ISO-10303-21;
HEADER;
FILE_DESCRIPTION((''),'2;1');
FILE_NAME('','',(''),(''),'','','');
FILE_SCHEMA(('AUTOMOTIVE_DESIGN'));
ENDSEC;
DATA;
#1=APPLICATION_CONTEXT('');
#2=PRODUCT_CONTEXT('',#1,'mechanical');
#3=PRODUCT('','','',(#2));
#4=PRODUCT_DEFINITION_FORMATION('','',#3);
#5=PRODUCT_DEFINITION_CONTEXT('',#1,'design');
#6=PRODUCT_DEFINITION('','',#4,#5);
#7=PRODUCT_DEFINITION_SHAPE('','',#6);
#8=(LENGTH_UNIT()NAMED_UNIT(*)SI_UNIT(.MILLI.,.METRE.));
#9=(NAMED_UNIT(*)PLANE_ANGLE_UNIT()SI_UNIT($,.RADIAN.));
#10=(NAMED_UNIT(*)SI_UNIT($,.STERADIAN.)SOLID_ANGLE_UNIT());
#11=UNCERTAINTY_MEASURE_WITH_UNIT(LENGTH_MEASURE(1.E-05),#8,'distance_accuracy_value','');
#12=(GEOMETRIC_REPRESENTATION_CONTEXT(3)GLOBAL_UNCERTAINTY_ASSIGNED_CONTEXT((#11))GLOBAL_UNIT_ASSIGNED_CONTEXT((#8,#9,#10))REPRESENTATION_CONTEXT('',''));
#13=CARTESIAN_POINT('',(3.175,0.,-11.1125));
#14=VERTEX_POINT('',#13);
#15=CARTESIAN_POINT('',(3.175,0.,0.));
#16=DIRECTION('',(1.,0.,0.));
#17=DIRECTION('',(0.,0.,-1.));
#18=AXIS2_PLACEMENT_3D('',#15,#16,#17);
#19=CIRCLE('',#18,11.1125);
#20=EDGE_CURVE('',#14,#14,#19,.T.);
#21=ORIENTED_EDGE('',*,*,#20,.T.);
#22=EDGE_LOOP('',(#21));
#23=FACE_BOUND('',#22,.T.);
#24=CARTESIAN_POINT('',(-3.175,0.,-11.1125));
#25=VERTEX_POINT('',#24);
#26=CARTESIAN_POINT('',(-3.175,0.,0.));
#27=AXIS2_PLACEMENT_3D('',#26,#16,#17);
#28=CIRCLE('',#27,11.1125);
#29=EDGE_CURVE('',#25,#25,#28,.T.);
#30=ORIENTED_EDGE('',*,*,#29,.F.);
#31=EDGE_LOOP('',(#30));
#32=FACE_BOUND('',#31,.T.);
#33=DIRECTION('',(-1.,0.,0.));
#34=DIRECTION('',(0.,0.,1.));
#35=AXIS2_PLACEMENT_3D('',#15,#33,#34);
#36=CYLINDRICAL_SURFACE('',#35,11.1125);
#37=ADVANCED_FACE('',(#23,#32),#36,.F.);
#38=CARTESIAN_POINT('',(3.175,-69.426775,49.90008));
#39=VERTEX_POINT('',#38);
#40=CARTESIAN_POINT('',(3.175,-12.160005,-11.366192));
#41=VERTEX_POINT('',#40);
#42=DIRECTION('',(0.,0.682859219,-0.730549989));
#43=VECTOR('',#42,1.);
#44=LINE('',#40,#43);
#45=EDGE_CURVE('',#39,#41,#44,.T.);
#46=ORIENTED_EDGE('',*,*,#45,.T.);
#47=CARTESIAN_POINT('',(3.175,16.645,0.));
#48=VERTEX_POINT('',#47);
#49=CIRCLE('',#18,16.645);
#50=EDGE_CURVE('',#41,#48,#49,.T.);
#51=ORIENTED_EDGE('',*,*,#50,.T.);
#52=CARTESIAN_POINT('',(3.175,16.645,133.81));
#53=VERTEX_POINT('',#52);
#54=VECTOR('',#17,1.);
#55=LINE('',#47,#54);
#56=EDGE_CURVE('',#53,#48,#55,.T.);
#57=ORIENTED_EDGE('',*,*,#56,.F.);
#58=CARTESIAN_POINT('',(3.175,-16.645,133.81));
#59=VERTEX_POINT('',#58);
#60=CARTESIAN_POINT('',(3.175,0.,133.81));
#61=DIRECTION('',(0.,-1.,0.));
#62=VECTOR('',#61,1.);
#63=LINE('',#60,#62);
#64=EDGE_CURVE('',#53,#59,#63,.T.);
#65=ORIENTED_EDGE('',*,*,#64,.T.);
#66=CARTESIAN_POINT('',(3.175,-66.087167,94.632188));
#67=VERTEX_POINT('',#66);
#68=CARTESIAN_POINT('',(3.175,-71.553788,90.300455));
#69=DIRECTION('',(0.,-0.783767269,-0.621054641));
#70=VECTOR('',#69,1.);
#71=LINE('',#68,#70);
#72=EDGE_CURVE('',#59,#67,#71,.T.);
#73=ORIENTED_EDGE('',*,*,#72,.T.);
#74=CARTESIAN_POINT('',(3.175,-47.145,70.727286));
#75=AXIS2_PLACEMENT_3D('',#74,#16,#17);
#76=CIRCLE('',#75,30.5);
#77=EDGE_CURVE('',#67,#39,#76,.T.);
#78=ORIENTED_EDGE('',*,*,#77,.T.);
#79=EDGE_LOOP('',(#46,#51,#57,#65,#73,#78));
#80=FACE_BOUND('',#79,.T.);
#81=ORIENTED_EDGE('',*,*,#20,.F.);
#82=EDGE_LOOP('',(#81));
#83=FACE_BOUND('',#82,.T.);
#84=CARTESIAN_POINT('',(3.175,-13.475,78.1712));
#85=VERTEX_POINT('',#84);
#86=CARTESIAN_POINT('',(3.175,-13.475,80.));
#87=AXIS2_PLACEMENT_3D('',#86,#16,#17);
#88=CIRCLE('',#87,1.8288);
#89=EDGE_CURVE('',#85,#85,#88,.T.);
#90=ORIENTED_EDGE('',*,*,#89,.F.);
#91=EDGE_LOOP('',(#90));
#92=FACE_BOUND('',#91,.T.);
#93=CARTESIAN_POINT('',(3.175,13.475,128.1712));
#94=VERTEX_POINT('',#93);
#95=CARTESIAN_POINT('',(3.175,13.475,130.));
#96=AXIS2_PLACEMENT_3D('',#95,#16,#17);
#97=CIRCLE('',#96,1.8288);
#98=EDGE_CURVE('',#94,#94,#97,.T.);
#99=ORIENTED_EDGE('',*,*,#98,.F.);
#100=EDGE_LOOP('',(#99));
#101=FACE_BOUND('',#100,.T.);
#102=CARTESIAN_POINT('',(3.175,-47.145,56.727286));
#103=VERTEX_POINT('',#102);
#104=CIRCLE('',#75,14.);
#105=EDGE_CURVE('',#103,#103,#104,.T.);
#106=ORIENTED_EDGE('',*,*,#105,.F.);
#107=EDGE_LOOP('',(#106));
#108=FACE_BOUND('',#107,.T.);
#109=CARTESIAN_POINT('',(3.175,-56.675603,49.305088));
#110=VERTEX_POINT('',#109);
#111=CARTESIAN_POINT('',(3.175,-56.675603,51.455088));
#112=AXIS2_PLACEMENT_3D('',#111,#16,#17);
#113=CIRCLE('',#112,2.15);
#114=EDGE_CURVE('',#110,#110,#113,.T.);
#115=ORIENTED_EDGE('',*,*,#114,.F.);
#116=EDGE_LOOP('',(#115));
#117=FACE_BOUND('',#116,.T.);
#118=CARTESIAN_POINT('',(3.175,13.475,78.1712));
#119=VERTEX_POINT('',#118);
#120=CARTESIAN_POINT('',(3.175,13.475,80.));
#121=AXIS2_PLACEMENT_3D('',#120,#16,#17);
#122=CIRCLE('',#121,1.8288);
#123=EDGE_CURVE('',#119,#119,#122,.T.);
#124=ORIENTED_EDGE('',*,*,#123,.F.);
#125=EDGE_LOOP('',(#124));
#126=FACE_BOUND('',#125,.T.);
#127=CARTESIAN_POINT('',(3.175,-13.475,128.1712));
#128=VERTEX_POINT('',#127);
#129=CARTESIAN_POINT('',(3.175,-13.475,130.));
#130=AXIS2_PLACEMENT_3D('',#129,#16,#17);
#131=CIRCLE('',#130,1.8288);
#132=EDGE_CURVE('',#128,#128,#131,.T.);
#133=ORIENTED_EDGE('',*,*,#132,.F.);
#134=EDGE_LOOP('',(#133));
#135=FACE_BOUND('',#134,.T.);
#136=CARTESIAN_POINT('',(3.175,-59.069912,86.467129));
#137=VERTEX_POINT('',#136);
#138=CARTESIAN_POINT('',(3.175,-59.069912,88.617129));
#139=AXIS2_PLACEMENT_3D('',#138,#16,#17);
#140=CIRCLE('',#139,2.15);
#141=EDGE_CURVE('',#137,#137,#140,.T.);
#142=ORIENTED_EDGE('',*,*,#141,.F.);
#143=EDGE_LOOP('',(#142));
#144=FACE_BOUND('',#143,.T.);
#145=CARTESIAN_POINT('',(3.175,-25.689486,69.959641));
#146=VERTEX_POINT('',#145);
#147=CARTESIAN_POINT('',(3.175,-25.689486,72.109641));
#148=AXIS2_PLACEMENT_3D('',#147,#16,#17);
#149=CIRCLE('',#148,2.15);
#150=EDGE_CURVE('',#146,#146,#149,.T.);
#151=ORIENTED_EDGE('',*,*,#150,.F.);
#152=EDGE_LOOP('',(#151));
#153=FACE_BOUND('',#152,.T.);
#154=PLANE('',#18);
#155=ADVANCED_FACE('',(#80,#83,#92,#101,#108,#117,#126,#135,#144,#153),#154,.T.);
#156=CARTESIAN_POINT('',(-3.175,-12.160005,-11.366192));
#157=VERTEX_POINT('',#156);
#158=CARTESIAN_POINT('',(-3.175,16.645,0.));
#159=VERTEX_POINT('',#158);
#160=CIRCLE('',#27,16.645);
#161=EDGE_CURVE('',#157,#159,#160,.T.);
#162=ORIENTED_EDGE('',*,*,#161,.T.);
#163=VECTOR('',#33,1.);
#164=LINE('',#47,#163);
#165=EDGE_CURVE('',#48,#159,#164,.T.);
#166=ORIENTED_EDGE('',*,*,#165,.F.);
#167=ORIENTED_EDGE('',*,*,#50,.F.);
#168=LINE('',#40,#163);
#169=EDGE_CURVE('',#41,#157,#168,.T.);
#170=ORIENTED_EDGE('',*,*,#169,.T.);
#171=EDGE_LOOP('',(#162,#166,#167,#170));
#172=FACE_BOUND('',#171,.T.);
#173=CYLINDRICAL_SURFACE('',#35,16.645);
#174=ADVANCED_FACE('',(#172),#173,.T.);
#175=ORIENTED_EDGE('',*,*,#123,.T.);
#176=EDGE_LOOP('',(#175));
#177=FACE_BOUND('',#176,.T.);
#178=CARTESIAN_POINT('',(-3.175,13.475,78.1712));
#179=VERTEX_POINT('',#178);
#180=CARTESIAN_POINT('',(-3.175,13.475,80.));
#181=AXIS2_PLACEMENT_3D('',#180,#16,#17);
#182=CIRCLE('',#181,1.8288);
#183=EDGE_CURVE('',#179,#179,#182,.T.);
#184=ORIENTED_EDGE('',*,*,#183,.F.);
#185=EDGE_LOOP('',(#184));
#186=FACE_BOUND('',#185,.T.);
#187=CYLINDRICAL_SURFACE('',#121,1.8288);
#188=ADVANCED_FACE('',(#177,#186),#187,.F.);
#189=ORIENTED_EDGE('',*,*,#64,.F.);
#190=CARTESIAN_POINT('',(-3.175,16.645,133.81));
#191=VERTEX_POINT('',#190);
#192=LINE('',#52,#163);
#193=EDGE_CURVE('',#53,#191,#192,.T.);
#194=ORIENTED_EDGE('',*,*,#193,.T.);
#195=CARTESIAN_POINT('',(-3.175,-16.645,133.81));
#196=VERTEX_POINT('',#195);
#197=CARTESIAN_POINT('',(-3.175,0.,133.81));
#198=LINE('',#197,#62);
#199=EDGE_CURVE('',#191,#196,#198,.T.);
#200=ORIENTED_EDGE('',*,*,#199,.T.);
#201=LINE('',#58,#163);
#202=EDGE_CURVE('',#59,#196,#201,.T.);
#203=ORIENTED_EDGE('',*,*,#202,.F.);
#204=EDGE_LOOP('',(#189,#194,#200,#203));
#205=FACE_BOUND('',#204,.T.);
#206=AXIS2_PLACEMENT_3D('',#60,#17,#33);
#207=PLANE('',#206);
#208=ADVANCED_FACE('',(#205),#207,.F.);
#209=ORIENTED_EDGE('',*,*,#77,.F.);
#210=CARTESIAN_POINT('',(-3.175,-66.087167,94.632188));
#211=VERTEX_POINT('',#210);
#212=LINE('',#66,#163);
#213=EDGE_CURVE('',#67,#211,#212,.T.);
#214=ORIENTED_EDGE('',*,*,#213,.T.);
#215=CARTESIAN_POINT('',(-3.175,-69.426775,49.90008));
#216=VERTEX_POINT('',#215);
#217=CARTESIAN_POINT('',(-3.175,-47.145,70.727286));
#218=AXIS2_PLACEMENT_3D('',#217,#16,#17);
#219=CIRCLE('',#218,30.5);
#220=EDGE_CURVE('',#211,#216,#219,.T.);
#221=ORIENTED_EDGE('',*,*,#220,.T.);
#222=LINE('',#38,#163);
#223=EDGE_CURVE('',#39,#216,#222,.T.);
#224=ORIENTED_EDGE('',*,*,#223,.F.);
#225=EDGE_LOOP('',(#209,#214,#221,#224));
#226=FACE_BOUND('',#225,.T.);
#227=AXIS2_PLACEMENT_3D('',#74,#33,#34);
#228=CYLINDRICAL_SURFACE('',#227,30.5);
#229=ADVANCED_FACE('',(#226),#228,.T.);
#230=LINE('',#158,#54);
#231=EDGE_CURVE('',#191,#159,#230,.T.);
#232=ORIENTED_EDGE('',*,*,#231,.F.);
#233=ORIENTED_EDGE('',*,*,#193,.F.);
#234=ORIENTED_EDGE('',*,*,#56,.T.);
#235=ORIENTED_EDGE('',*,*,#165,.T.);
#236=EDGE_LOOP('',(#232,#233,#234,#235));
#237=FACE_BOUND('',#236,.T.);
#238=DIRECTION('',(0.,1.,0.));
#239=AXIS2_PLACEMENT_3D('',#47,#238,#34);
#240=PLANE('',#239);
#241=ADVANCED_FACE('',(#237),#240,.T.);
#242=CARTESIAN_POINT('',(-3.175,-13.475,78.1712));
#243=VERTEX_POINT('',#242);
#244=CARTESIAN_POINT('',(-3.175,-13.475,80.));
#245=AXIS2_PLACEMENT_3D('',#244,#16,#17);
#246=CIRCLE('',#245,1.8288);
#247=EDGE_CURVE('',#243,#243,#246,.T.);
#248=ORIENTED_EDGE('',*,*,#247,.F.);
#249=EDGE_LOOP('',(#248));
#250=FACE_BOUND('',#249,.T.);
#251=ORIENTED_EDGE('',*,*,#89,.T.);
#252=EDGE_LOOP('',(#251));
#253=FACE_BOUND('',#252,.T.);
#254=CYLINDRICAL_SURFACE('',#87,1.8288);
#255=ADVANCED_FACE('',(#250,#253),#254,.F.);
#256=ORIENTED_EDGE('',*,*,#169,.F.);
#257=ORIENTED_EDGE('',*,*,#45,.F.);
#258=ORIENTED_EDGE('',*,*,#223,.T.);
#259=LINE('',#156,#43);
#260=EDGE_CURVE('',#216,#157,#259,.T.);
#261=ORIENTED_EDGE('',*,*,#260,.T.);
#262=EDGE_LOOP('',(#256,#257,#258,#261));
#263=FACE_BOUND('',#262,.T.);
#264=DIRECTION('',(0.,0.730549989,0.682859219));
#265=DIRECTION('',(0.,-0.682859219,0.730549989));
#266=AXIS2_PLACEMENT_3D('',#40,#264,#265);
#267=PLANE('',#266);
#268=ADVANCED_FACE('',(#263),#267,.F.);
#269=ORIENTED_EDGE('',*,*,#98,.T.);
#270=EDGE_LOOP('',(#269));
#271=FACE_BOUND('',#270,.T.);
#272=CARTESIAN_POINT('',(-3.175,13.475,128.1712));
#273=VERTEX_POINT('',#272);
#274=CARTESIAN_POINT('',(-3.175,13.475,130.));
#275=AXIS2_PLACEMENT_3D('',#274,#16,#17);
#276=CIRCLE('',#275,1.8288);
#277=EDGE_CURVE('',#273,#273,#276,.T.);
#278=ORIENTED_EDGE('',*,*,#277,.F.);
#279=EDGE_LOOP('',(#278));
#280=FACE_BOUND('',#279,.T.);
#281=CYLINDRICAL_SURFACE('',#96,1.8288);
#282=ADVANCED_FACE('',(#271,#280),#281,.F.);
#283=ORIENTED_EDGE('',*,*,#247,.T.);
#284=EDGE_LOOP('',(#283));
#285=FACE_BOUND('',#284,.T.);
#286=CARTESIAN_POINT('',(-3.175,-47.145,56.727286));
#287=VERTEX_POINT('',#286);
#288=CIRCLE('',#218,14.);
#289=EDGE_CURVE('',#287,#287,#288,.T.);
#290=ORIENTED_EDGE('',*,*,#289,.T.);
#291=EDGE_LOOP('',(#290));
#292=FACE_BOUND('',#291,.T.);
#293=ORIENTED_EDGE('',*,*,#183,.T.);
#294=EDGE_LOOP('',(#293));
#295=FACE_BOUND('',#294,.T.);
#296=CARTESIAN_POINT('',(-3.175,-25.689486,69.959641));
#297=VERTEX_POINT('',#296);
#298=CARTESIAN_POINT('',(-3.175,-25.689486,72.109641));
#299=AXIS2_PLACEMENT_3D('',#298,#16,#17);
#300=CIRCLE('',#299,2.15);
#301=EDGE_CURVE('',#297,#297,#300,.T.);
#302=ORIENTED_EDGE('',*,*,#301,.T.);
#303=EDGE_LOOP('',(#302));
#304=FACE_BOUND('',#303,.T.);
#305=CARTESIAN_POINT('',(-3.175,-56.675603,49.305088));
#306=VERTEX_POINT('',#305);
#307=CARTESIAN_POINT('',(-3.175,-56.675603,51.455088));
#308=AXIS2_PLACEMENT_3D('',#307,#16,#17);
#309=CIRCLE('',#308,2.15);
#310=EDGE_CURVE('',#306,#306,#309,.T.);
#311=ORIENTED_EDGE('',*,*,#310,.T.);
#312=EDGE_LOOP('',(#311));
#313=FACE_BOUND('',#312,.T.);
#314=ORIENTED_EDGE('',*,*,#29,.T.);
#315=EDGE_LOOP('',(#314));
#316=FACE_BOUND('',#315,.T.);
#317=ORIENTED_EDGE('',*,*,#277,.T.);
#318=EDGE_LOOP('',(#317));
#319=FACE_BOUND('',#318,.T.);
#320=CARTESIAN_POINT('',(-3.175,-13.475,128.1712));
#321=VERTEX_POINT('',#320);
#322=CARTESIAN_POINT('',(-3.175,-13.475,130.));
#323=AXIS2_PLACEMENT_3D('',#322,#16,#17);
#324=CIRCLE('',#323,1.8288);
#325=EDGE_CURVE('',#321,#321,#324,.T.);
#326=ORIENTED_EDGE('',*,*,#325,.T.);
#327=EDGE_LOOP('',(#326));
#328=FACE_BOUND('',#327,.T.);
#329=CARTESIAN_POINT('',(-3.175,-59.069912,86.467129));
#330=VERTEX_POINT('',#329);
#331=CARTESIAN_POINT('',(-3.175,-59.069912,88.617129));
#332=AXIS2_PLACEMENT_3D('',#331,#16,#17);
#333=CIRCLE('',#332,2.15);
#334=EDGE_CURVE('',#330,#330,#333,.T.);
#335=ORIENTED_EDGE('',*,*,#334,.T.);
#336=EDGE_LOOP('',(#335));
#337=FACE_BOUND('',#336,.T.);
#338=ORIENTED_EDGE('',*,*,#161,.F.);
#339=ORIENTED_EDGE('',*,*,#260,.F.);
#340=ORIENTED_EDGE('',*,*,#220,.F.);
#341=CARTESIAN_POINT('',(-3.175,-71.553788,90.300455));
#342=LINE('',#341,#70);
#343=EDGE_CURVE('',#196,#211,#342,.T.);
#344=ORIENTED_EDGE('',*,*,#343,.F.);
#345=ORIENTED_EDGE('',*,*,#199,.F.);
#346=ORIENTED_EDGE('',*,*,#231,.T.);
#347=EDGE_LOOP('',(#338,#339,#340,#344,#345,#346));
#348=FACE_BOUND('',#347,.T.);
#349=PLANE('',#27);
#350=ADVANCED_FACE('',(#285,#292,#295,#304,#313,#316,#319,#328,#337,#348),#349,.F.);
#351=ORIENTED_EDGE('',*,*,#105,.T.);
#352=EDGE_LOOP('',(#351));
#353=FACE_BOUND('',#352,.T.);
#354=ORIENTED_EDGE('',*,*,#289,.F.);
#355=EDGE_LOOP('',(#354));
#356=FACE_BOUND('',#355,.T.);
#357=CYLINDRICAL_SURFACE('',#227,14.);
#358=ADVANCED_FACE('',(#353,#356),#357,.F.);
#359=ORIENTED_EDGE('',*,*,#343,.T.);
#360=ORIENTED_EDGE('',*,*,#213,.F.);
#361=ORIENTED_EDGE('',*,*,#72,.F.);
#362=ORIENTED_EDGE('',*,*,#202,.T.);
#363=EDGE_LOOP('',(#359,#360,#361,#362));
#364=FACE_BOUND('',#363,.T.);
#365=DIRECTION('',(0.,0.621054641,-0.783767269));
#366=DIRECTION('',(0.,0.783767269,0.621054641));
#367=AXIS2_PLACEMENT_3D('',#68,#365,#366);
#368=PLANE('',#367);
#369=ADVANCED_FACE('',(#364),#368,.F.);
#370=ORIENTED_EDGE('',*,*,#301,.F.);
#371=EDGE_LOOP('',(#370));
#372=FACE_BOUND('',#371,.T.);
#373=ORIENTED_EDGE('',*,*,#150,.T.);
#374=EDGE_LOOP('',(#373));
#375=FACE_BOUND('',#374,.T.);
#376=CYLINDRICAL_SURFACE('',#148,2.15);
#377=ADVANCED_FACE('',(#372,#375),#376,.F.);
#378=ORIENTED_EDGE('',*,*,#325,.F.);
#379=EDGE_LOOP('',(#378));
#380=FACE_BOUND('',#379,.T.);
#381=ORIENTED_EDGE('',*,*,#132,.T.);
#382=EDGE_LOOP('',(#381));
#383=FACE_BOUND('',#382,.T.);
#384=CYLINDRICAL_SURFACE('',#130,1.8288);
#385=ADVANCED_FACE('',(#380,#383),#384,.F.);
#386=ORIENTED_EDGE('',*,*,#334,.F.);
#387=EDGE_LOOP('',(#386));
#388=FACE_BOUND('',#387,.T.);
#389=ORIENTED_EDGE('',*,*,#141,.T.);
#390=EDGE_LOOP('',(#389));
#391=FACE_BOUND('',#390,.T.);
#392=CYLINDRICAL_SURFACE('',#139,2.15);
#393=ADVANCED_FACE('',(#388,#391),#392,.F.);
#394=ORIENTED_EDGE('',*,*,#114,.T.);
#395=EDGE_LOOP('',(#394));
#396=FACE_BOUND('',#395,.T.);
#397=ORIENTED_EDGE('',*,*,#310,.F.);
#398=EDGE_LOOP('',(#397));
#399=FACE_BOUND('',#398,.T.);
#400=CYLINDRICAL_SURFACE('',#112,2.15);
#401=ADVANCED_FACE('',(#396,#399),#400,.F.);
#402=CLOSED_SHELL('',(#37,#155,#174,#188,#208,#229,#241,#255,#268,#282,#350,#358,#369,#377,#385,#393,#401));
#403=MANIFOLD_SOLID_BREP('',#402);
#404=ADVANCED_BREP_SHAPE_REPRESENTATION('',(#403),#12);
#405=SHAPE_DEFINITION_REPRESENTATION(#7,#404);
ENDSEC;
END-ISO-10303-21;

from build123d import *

# Parameters (mm, degrees)
SKETCH1_R             = 14
SKETCH1_R_2           = 11.1125
BOSS_EXTRUDE1_DEPTH   = 3.175
F_6_CLEARANCE_HOLE1_D = 3.6576
M4_CLEARANCE_HOLE1_D  = 4.3


with BuildPart() as part:
    # Sketch1 → Boss-Extrude1 (new, symmetric)
    with BuildSketch(Plane(origin=(0, 0, 0), x_dir=(0, 0, -1), z_dir=(1, 0, 0))):
        with BuildLine():
            Line((-133.81, -16.645), (-94.632187648, -66.087166556))
            ThreePointArc((-94.632187648, -66.087166556), (-72.998034274, -77.560353063), (-49.900079745, -69.426774672))
            Line((-49.900079745, -69.426774672), (11.366191703, -12.160004571))
            ThreePointArc((11.366191703, -12.160004571), (15.483205435, 6.109531443), (0, 16.645))
            Line((0, 16.645), (-133.81, 16.645))
            Line((-133.81, 16.645), (-133.81, -16.645))
        make_face()
        with Locations((-70.72728593, -47.145)):
            Circle(SKETCH1_R, mode=Mode.SUBTRACT)
        Circle(SKETCH1_R_2, mode=Mode.SUBTRACT)
    extrude(amount=BOSS_EXTRUDE1_DEPTH, both=True)

    # #6 Clearance Hole1 (through all)
    with Locations(Plane(origin=(3.175, 0, 0), x_dir=(0, 0, -1), z_dir=(1, 0, 0))):
        with Locations((-80, -13.475), (-80, 13.475), (-130, 13.475), (-130, -13.475)):
            Hole(F_6_CLEARANCE_HOLE1_D / 2)

    # M4 Clearance Hole1 (through all)
    with Locations(Plane(origin=(3.175, 0, 0), x_dir=(0, 0, -1), z_dir=(1, 0, 0))):
        with Locations((-72.109641, -25.689485686), (-88.617128841, -59.069911765), (-51.455087948, -56.675602549)):
            Hole(M4_CLEARANCE_HOLE1_D / 2)


solid = part.part
